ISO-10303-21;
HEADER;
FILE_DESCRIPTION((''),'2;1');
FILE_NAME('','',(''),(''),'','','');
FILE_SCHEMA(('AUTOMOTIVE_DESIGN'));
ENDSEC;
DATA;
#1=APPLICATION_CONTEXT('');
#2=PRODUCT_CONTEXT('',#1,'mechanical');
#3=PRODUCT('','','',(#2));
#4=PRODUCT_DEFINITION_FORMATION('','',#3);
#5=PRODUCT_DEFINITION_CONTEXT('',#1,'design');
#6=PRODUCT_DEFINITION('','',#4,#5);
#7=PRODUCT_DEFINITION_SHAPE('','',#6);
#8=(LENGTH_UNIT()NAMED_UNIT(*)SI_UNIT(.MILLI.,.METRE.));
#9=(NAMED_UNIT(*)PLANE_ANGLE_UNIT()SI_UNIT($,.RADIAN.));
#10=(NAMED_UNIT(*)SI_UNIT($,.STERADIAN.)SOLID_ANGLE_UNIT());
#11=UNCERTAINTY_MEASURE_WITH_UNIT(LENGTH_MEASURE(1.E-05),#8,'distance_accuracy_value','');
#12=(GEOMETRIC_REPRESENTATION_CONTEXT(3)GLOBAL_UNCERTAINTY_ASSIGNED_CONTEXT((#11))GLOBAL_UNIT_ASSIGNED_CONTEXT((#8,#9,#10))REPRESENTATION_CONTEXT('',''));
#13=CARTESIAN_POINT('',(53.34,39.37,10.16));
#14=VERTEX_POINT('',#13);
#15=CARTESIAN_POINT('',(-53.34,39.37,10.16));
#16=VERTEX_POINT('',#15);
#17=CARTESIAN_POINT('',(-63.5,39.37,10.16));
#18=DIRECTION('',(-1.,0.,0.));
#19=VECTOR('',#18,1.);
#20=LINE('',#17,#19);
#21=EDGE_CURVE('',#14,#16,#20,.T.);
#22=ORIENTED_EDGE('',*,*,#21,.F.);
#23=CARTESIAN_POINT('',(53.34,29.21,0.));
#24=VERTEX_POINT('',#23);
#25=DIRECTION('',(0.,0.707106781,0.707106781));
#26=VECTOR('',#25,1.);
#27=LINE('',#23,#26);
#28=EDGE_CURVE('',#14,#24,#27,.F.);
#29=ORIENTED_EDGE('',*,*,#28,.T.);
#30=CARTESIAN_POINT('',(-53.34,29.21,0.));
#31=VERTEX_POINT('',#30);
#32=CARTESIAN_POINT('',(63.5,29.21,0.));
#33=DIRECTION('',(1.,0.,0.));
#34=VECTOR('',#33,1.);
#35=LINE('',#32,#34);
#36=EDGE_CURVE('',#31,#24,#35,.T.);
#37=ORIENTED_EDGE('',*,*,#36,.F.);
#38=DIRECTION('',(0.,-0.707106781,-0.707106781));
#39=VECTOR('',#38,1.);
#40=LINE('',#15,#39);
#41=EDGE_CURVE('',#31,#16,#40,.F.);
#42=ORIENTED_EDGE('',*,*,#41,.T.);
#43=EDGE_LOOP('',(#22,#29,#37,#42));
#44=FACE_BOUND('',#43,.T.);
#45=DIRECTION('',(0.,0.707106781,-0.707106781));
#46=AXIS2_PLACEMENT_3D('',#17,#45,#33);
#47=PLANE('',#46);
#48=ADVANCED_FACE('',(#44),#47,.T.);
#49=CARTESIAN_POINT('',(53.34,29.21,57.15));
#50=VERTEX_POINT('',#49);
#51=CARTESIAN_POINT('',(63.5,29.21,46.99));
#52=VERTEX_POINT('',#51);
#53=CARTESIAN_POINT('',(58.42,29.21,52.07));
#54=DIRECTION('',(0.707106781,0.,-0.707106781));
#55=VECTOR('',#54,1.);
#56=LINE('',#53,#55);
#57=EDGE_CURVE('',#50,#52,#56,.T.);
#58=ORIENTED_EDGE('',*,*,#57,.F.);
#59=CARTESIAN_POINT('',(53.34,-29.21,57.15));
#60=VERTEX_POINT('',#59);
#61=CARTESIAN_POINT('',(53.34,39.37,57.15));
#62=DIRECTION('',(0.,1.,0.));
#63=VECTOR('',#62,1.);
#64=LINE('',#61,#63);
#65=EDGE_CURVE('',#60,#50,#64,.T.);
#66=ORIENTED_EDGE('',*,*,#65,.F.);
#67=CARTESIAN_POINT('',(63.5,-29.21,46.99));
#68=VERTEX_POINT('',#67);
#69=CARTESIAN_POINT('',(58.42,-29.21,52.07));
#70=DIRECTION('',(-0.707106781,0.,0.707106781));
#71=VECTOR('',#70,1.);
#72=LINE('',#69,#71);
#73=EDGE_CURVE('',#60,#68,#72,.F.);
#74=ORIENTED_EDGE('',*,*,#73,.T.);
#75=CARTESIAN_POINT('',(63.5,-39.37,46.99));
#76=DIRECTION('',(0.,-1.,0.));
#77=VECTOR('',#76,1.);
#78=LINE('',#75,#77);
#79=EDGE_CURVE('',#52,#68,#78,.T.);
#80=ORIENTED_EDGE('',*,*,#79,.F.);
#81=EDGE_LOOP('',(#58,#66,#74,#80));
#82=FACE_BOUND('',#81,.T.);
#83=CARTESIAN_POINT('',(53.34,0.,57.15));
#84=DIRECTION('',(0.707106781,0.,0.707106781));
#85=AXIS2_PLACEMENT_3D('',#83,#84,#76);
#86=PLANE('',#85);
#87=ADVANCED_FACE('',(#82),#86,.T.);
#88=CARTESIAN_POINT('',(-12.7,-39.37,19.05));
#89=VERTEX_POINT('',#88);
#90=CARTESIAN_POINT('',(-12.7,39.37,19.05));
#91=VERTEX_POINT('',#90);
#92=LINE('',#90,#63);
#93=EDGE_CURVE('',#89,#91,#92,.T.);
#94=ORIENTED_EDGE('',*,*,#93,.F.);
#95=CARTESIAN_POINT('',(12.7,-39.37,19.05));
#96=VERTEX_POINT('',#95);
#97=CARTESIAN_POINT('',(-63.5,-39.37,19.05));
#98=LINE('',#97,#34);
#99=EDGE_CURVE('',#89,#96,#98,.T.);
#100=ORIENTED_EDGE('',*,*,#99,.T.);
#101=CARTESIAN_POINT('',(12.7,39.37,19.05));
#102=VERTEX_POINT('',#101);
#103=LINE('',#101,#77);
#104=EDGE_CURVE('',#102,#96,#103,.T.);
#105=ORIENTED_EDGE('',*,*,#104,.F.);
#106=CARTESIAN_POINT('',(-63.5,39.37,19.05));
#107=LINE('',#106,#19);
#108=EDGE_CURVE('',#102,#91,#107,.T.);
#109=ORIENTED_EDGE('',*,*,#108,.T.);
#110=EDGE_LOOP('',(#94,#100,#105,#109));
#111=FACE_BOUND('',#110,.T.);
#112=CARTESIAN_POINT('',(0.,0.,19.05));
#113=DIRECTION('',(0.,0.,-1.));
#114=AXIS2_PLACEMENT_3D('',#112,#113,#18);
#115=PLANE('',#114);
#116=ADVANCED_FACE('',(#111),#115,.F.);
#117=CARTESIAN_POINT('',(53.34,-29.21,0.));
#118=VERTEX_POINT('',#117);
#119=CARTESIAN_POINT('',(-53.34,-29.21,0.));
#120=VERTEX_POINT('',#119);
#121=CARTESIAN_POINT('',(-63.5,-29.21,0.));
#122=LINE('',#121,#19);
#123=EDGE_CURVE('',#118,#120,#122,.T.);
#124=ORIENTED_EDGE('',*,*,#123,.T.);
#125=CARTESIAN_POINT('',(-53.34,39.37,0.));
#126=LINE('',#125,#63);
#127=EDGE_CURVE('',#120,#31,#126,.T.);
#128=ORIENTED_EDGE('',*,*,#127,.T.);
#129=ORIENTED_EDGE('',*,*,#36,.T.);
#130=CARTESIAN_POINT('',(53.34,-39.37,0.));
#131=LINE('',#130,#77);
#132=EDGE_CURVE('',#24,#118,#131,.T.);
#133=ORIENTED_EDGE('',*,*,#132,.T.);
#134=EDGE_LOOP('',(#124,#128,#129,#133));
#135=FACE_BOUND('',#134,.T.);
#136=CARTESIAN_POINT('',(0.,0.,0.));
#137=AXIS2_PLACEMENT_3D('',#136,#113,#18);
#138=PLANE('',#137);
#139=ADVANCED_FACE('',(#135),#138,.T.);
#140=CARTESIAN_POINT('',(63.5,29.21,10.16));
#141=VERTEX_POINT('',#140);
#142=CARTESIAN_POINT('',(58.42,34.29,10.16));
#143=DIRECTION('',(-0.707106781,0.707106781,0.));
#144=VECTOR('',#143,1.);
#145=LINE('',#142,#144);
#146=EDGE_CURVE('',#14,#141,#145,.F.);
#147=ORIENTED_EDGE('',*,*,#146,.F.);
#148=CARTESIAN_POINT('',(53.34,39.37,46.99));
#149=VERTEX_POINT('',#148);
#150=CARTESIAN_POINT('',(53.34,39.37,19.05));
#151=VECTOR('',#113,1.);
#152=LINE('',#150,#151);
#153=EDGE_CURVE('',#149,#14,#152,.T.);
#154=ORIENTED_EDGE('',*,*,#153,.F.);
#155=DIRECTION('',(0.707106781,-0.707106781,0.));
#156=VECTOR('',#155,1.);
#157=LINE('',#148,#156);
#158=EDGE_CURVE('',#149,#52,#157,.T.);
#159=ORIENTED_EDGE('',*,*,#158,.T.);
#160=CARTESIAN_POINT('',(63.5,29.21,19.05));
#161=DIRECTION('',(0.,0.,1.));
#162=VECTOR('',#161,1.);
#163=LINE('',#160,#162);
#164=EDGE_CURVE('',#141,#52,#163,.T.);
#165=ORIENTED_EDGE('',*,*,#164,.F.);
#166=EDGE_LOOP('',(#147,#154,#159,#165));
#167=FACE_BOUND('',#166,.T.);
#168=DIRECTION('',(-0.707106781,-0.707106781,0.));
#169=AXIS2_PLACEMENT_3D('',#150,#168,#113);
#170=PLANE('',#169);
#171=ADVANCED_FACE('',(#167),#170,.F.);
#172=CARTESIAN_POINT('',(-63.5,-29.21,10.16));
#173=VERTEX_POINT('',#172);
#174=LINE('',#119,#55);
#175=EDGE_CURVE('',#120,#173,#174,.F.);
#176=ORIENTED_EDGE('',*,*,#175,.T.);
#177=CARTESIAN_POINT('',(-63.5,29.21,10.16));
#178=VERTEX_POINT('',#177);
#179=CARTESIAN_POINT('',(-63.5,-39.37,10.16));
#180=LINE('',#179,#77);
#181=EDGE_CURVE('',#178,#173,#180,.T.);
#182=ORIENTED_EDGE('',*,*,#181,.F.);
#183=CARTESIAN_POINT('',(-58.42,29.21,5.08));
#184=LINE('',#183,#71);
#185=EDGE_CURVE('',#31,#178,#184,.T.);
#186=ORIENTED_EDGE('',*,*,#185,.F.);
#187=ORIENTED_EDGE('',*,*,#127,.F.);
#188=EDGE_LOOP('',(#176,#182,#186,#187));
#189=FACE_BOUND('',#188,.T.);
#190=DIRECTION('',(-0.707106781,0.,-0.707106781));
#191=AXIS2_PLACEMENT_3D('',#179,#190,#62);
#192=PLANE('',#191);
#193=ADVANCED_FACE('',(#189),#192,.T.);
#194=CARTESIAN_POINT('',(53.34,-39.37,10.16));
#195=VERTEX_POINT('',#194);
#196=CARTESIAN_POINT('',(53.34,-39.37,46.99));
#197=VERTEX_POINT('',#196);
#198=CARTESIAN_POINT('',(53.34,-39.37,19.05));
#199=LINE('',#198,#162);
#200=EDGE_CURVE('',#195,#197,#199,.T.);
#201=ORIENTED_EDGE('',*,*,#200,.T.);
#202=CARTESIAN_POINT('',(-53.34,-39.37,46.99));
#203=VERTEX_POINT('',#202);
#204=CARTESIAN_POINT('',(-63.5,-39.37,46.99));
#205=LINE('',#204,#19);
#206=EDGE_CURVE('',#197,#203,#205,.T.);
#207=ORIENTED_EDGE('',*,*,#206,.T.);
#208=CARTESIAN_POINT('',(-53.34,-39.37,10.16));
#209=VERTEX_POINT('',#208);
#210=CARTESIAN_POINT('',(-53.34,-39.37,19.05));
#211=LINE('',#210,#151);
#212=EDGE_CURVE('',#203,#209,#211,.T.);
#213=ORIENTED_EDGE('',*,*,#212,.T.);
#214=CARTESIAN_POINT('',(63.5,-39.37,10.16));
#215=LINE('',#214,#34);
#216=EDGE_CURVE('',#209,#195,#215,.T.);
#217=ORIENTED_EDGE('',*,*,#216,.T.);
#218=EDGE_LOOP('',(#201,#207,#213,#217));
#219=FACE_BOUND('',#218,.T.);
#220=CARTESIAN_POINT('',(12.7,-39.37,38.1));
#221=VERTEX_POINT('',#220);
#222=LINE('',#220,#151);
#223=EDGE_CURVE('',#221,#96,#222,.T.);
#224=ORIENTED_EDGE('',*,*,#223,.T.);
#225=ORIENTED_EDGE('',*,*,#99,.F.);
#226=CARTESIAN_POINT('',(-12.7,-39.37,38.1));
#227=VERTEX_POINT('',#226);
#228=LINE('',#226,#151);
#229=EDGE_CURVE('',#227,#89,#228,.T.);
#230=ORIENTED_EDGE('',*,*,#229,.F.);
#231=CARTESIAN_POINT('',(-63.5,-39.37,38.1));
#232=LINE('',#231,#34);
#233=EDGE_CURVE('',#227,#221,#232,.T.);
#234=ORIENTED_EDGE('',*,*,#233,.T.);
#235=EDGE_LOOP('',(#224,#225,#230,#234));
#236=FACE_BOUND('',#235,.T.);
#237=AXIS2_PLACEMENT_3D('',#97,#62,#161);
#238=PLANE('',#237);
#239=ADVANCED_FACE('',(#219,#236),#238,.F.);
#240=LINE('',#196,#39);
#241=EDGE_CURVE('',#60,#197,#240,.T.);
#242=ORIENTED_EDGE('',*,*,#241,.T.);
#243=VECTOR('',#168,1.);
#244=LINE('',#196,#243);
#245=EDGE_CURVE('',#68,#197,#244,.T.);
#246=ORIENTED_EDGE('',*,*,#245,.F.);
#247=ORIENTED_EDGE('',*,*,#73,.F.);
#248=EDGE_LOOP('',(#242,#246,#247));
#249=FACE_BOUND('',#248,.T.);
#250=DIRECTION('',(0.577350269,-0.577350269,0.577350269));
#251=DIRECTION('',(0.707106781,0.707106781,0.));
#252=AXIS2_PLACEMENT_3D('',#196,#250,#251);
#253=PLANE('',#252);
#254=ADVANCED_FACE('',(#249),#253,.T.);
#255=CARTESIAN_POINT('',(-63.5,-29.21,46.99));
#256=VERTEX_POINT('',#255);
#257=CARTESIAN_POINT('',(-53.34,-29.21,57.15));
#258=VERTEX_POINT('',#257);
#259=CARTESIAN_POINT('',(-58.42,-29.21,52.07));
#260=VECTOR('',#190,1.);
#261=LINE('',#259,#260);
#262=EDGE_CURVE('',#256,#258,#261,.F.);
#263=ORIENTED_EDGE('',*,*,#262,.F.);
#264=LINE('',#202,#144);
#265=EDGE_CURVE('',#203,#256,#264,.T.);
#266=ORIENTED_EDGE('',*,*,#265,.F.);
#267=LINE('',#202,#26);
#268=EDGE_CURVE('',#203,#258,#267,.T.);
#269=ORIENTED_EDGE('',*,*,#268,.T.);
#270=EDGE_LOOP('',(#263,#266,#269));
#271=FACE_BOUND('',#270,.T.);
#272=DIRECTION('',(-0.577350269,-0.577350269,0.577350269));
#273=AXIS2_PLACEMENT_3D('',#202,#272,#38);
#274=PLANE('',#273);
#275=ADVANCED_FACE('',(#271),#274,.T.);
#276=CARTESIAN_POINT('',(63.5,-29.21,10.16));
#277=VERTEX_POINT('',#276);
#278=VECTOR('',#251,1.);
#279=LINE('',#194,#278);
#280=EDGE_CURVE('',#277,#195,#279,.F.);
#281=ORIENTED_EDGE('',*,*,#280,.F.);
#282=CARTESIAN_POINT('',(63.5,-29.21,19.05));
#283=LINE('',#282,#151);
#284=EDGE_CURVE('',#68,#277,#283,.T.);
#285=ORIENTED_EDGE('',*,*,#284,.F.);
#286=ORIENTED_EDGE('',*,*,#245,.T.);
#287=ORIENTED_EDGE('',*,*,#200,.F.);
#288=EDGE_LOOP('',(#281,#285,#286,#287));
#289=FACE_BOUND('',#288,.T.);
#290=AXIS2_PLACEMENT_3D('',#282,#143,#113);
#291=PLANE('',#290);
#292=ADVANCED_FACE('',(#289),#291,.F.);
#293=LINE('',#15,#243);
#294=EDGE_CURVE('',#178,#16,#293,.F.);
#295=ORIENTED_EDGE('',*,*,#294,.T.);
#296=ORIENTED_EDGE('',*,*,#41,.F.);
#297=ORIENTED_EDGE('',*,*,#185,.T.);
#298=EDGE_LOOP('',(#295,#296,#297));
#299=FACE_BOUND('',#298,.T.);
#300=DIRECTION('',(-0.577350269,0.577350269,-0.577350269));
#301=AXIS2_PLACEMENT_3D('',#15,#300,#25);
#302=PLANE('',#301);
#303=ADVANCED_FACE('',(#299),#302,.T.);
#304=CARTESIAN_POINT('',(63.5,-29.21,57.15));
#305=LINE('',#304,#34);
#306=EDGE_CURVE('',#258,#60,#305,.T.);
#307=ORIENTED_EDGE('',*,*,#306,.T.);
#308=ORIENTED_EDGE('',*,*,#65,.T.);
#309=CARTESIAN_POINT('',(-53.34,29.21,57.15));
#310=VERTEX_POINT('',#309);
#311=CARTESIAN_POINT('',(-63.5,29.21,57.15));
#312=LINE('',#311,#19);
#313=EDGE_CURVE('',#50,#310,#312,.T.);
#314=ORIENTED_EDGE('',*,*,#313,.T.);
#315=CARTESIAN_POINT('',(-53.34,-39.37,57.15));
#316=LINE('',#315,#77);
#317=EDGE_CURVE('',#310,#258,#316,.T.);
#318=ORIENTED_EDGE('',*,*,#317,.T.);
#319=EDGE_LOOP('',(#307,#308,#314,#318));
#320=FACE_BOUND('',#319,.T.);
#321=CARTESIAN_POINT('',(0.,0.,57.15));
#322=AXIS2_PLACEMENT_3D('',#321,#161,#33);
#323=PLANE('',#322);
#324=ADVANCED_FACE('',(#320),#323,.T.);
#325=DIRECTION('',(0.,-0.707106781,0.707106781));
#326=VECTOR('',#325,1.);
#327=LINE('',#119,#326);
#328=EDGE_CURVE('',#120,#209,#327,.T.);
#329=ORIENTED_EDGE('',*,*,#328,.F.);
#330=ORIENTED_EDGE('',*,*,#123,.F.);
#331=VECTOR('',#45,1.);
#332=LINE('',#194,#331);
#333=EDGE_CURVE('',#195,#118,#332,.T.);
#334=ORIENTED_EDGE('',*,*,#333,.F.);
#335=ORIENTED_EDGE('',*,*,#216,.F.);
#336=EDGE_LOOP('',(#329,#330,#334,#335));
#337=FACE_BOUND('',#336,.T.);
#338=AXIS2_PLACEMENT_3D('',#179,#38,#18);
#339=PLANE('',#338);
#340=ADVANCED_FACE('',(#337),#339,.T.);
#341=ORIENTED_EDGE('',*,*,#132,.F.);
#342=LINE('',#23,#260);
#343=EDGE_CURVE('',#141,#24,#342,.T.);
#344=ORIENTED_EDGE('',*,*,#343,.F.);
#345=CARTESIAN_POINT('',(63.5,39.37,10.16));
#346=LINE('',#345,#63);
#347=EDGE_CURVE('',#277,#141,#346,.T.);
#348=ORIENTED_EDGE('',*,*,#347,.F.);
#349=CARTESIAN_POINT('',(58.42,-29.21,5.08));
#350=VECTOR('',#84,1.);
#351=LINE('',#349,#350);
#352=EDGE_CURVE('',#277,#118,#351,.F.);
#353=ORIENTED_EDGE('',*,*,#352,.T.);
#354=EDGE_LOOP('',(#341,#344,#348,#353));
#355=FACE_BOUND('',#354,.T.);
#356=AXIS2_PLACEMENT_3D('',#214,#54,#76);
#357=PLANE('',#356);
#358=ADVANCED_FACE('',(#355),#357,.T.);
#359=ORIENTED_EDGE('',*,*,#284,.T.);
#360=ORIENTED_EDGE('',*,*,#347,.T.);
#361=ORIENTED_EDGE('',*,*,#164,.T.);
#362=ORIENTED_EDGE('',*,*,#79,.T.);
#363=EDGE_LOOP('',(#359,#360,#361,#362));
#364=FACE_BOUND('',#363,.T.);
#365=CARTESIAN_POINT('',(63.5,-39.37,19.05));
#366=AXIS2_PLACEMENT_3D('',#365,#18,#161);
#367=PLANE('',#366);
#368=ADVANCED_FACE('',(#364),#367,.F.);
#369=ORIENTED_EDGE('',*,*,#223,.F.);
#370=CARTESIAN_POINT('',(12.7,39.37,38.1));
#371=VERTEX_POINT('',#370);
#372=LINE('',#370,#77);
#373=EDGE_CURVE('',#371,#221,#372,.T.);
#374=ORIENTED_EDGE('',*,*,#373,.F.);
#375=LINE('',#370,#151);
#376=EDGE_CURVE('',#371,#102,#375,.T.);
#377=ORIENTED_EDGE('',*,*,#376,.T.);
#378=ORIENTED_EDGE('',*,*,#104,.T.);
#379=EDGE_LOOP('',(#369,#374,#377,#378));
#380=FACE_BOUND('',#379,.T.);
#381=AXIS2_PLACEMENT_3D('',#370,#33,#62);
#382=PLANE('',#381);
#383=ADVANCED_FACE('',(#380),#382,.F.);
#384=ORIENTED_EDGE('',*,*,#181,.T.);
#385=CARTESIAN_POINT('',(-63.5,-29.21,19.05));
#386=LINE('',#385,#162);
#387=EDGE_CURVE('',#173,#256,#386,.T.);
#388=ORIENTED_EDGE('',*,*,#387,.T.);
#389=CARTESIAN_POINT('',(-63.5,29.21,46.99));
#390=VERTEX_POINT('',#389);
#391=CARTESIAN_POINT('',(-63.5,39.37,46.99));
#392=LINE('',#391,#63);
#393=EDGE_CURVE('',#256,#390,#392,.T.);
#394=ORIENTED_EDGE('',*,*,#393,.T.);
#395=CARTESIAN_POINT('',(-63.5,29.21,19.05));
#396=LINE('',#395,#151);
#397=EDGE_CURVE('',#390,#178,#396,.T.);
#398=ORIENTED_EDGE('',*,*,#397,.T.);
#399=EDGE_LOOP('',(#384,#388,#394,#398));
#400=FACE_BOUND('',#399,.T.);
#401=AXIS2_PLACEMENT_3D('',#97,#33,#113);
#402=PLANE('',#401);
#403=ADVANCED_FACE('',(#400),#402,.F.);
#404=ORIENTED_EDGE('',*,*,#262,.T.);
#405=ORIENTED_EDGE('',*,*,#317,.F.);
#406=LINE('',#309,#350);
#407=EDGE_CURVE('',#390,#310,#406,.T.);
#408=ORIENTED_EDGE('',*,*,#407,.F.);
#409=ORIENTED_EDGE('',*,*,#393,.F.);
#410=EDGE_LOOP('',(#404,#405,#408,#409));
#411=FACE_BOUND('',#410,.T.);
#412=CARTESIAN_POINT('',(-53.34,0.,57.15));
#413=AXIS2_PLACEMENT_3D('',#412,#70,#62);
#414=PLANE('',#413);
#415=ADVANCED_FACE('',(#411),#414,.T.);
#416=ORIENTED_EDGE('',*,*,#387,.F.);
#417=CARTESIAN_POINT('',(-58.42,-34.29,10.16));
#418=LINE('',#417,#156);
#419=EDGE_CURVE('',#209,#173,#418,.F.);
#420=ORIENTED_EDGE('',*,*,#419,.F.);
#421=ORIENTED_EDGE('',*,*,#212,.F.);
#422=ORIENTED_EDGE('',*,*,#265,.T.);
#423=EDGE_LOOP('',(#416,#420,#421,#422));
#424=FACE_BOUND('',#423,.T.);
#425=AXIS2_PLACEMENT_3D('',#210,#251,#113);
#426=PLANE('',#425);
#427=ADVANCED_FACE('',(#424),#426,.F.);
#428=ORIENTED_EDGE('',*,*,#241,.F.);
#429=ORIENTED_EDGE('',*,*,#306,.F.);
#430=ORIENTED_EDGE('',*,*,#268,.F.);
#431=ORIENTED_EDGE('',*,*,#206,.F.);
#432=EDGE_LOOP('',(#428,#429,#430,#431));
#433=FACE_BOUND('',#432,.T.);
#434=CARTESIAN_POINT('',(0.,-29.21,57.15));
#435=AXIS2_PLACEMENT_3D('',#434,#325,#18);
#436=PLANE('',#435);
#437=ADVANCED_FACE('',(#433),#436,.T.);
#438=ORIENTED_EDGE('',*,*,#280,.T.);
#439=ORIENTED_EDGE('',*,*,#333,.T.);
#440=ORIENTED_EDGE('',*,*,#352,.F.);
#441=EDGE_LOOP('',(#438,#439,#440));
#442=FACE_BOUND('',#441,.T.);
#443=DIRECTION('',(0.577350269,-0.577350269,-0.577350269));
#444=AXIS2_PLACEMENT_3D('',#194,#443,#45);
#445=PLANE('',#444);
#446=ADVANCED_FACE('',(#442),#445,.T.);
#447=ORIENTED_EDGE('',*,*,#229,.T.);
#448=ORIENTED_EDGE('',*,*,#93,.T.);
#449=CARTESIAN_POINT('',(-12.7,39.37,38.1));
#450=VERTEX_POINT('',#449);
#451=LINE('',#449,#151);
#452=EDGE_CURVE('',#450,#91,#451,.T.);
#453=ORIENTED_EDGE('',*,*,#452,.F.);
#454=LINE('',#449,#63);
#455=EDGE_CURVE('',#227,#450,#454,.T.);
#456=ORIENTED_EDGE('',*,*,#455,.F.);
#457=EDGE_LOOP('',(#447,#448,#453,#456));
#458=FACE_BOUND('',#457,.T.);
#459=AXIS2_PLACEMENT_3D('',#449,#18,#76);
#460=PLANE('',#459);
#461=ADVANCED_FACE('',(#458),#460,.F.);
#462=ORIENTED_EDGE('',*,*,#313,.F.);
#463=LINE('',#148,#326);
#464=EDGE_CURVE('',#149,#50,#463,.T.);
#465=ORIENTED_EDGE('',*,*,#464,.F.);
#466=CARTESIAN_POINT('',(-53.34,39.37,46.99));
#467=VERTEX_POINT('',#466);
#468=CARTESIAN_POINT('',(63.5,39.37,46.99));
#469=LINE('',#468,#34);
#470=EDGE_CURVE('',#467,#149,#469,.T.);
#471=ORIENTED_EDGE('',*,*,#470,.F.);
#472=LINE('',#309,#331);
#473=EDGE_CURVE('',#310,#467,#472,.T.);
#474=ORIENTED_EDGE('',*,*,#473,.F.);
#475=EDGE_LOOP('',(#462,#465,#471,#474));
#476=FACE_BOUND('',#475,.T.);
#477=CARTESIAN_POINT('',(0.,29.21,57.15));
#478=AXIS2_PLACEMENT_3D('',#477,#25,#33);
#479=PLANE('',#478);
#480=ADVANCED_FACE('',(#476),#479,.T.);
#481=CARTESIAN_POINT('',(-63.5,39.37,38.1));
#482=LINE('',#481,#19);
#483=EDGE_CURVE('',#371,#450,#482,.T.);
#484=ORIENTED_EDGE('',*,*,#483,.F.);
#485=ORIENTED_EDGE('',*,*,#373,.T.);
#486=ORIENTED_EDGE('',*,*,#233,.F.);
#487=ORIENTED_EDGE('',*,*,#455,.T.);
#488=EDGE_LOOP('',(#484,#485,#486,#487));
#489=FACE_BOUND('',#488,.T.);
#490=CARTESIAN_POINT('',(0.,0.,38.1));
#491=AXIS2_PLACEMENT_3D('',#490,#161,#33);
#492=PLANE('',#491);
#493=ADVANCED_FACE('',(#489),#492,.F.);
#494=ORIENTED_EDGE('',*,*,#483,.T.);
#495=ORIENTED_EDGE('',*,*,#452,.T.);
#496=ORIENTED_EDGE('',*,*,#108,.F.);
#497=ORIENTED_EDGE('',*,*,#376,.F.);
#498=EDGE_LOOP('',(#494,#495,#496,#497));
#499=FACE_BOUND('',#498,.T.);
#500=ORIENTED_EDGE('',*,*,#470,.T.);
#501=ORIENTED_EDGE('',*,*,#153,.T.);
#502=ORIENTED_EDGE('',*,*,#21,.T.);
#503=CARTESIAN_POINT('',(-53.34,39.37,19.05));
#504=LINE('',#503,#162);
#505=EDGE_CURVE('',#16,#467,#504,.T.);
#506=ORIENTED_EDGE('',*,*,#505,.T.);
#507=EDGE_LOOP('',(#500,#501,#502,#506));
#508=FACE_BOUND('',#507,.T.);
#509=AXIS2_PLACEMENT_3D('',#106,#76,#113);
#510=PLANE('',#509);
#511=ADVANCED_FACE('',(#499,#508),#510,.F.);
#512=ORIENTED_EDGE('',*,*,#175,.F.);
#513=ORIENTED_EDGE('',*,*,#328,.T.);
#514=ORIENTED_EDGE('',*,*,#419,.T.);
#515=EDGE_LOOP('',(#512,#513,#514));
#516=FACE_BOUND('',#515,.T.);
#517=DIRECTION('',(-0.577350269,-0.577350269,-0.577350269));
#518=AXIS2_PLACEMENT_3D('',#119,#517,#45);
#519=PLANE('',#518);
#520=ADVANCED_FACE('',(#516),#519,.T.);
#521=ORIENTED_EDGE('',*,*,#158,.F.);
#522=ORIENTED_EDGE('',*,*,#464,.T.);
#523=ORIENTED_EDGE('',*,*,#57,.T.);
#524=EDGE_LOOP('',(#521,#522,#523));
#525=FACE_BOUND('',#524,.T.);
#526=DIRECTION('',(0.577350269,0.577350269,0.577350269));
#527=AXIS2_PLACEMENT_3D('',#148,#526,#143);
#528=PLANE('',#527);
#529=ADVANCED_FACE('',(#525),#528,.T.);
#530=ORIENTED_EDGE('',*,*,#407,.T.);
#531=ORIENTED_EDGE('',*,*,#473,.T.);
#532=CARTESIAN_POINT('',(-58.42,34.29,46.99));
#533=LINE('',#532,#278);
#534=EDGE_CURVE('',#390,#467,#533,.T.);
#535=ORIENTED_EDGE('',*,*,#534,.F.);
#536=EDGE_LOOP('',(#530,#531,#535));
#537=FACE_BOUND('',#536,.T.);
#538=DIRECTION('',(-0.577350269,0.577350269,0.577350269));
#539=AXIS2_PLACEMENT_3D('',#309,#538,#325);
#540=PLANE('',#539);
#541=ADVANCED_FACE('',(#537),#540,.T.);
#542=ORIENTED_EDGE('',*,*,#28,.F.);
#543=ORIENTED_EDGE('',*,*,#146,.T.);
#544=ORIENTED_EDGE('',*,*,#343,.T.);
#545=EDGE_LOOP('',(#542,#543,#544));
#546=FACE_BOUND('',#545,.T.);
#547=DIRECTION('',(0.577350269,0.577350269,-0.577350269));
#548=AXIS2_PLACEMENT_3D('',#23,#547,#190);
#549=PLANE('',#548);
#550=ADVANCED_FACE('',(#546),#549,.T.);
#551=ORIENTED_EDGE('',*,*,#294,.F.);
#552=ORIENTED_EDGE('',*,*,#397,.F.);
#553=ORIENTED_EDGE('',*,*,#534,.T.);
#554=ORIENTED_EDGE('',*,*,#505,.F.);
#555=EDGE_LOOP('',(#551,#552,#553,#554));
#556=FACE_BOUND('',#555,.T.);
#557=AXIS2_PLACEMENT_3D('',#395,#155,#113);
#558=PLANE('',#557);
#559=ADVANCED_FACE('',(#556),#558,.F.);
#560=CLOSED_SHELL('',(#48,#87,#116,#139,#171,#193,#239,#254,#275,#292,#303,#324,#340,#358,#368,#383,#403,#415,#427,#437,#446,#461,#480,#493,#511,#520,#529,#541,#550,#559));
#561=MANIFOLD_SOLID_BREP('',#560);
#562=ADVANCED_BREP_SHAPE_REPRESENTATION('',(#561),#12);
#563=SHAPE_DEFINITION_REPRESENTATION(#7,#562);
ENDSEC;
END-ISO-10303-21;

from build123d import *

# Parameters (mm, degrees)
SKETCH1_W           = 127
SKETCH1_H           = 78.74
BOSS_EXTRUDE1_DEPTH = 19.05
SKETCH2_W           = 50.8
SKETCH2_H           = 78.74
BOSS_EXTRUDE2_DEPTH = 19.05
SKETCH3_W           = 127
SKETCH3_H           = 78.74
BOSS_EXTRUDE3_DEPTH = 19.05
CHAMFER1_SIZE       = 10.16


with BuildPart() as part:
    # Sketch1 → Boss-Extrude1 (new body)
    with BuildSketch(Plane.XY):
        Rectangle(SKETCH1_W, SKETCH1_H)
    extrude(amount=BOSS_EXTRUDE1_DEPTH)

    # Sketch2 → Boss-Extrude2 (add)
    with BuildSketch(Plane.XY.offset(19.05)):
        with Locations((-38.1, 0)):
            Rectangle(SKETCH2_W, SKETCH2_H)
        with Locations((38.1, 0)):
            Rectangle(SKETCH2_W, SKETCH2_H)
    extrude(amount=BOSS_EXTRUDE2_DEPTH)

    # Sketch3 → Boss-Extrude3 (add)
    with BuildSketch(Plane.XY.offset(38.1)):
        Rectangle(SKETCH3_W, SKETCH3_H)
    extrude(amount=BOSS_EXTRUDE3_DEPTH)

    # Chamfer1
    chamfer1_edges = [part.edges().sort_by_distance(p)[0] for p in [
        (-63.5, 0, 57.15),
        (0, -39.37, 57.15),
        (63.5, 0, 57.15),
        (0, 39.37, 57.15),
        (0, -39.37, 0),
        (-63.5, 0, 0),
        (0, 39.37, 0),
        (63.5, 0, 0),
        (63.5, -39.37, 28.575),
        (-63.5, -39.37, 28.575),
        (-63.5, 39.37, 28.575),
        (63.5, 39.37, 28.575),
    ]]
    chamfer(chamfer1_edges, length=CHAMFER1_SIZE)


solid = part.part
